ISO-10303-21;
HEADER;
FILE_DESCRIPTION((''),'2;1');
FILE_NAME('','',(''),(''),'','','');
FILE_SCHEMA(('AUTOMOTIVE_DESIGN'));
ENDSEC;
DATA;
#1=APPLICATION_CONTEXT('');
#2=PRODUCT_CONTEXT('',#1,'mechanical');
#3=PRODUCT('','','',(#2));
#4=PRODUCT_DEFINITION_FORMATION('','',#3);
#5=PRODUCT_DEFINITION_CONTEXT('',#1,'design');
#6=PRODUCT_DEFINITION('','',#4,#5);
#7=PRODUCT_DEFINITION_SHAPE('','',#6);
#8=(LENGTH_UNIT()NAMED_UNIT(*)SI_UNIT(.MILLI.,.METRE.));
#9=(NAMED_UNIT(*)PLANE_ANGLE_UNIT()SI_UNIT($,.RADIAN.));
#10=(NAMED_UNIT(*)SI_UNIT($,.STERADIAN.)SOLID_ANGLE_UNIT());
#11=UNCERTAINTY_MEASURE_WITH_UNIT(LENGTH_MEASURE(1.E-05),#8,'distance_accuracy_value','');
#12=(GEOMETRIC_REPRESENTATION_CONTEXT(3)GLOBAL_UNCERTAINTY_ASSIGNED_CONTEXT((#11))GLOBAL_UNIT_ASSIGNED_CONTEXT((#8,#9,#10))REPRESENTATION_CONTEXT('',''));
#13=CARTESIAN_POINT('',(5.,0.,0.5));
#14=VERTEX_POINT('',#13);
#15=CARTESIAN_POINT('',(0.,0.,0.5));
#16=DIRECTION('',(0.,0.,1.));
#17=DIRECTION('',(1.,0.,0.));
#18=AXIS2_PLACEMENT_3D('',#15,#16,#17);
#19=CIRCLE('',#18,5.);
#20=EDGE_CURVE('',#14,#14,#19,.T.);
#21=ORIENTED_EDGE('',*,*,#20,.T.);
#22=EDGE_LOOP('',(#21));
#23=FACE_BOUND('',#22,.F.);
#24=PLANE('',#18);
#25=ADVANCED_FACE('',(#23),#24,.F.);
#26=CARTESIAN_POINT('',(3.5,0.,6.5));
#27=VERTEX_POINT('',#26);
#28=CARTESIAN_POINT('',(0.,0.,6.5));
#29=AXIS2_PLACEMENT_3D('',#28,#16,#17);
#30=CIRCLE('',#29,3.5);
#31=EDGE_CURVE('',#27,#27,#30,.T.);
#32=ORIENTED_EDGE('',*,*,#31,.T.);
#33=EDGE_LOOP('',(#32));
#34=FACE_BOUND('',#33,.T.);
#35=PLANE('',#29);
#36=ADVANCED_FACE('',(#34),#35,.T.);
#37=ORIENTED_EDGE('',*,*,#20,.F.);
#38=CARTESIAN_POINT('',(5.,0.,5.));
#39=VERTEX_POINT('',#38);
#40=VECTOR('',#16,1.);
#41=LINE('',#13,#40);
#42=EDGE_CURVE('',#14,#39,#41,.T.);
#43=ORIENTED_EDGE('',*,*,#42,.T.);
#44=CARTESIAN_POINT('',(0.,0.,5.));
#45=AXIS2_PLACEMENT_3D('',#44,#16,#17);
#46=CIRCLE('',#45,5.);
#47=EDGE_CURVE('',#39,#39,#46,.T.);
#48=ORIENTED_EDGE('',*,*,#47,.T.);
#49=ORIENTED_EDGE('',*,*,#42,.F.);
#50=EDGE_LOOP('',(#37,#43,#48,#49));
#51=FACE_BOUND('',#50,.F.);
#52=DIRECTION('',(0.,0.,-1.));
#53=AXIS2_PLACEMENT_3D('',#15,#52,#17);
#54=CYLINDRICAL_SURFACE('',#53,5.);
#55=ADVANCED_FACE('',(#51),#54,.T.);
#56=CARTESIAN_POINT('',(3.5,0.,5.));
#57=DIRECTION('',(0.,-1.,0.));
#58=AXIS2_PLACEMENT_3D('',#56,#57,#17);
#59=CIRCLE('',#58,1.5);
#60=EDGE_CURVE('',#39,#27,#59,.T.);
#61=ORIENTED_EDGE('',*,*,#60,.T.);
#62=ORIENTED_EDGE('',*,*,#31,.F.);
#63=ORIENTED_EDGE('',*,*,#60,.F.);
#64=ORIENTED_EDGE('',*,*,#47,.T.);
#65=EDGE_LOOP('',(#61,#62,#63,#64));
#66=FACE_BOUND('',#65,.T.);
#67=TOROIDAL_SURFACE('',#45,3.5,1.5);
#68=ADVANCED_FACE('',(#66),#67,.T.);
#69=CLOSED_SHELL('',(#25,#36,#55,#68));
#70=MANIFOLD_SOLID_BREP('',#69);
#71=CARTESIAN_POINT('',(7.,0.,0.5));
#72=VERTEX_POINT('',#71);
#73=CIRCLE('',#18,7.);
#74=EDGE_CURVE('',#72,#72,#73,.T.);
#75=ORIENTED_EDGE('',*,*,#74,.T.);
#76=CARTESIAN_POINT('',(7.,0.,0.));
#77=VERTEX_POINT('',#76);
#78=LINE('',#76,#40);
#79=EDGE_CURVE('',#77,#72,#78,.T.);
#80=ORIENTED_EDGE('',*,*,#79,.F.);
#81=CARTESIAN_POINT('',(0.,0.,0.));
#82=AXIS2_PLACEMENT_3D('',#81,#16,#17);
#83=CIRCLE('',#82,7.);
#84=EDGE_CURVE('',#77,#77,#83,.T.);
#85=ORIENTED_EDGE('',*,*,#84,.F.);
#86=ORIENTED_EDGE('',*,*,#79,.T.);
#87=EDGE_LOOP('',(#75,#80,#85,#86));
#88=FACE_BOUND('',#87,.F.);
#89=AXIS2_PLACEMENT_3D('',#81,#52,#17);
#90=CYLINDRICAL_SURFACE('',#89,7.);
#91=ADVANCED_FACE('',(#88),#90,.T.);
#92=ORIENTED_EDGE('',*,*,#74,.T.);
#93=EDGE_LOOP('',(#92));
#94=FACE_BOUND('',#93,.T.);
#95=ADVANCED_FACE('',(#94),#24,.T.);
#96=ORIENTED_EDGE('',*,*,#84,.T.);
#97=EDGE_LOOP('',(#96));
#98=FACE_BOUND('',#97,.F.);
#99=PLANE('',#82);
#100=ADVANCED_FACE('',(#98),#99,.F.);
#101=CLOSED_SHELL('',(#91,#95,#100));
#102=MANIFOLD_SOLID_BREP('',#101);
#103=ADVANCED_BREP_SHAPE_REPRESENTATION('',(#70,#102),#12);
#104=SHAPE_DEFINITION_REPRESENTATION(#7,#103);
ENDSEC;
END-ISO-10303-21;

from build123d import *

# Parameters (mm, degrees)
SKETCH_R     = 7
PAD_DEPTH    = 0.5
SKETCH001_R  = 5
PAD001_DEPTH = 6
FILLET_R     = 1.5


with BuildPart() as pad:
    # Sketch → Pad (new body)
    with BuildSketch(Plane.XY):
        Circle(SKETCH_R)
    extrude(amount=PAD_DEPTH)


with BuildPart() as fillet_body:
    # Sketch001 → Pad001 (new body)
    with BuildSketch(Plane.XY.offset(0.5)):
        Circle(SKETCH001_R)
    extrude(amount=PAD001_DEPTH)

    # Fillet
    fillet_edges = [fillet_body.edges().sort_by_distance(p)[0] for p in [
        (-5, 0, 6.5),
    ]]
    fillet(fillet_edges, radius=FILLET_R)


solid = Compound([pad.part, fillet_body.part])
